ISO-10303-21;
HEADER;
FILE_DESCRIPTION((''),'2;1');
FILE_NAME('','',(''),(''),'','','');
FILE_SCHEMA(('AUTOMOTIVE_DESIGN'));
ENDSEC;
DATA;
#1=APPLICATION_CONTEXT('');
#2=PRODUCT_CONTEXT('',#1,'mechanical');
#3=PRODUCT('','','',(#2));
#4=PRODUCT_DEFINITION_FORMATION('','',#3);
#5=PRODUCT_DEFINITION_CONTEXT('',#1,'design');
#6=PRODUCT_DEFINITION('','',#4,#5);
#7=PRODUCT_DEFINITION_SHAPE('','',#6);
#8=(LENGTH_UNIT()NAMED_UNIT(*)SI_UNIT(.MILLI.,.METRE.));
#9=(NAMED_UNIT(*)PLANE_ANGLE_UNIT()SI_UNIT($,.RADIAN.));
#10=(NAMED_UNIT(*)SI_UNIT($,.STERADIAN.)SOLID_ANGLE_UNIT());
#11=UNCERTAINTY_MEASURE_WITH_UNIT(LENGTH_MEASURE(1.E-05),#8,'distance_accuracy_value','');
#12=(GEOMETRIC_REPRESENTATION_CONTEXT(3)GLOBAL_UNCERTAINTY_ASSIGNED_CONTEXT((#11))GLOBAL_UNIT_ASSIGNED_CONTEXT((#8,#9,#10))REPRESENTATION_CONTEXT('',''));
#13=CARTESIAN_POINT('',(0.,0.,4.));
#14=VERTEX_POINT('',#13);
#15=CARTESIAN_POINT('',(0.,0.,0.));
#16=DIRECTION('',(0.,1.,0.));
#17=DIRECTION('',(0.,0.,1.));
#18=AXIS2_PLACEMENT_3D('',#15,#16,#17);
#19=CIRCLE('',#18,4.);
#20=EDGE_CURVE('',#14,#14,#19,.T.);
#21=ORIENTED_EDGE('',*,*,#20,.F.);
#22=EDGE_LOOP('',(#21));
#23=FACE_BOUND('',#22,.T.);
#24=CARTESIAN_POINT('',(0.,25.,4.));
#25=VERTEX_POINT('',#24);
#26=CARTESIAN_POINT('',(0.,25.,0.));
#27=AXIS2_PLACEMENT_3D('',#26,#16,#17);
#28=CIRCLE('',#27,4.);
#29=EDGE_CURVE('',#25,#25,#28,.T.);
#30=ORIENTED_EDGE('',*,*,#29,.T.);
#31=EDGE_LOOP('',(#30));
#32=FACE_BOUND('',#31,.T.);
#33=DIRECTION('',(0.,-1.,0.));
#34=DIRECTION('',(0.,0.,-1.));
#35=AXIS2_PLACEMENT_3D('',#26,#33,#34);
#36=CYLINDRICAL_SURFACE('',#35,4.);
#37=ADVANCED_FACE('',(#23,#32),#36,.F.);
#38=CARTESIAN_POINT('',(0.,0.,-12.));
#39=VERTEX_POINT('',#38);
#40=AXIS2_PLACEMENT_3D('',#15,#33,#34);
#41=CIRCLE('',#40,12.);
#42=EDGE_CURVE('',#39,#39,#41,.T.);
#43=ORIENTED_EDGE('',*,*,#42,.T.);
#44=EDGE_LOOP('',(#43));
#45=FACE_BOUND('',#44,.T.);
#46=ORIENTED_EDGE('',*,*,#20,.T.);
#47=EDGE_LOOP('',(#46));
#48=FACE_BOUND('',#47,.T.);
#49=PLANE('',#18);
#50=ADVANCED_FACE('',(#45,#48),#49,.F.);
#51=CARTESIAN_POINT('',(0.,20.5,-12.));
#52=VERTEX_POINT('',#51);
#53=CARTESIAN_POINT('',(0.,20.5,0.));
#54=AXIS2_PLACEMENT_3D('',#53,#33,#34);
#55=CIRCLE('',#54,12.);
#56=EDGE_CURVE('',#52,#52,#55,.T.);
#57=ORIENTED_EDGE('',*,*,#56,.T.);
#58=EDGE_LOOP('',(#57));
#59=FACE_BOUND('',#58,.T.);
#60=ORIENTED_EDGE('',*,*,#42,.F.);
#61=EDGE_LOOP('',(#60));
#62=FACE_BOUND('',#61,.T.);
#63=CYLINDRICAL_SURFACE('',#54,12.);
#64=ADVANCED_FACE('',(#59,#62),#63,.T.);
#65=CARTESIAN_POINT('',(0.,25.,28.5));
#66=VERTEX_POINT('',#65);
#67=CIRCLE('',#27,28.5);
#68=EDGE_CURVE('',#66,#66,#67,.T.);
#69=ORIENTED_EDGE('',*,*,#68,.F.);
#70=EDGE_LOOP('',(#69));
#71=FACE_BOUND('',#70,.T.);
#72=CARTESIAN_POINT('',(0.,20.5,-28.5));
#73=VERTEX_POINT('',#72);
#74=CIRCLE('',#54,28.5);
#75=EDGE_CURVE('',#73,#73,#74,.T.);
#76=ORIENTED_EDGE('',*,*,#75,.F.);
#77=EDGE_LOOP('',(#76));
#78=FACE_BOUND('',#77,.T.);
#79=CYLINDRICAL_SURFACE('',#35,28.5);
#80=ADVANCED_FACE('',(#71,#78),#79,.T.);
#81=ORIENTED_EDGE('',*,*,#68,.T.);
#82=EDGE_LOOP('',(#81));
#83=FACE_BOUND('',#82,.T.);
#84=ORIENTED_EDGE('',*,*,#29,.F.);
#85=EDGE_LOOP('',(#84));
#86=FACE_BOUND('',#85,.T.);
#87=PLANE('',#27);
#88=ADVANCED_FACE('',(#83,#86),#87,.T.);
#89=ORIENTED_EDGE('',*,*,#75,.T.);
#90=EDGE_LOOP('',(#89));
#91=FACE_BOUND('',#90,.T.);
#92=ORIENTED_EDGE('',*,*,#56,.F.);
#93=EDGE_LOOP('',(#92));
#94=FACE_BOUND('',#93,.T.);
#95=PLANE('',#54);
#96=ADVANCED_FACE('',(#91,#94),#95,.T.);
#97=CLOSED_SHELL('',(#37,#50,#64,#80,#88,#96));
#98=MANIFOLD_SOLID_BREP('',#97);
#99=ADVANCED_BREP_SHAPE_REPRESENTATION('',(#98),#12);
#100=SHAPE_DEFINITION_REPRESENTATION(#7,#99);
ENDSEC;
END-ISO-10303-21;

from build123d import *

# Parameters (mm, degrees)
SKETCH2_R           = 28.5
SKETCH2_R_2         = 4
BOSS_EXTRUDE1_DEPTH = 25
SKETCH4_OUTSIDE_W   = 75.88
SKETCH4_OUTSIDE_H   = 75.88
SKETCH4_OUTSIDE_R   = 12
CUT_EXTRUDE2_DEPTH  = 20.5


with BuildPart() as part:
    # Sketch2 → Boss-Extrude1 (new body)
    with BuildSketch(Plane(origin=(0, 0, 0), x_dir=(1, 0, 0), z_dir=(0, 1, 0))):
        with Locations(Location((0, 0, 0), (0, 0, 270))):
            Circle(SKETCH2_R)
        with Locations(Location((0, 0, 0), (0, 0, 270))):
            Circle(SKETCH2_R_2, mode=Mode.SUBTRACT)
    extrude(amount=BOSS_EXTRUDE1_DEPTH)

    # Sketch4 outside → Cut-Extrude2 (cut)
    with BuildSketch(Plane.XZ):
        Rectangle(SKETCH4_OUTSIDE_W, SKETCH4_OUTSIDE_H)
        with Locations(Location((0, 0, 0), (0, 0, 270))):
            Circle(SKETCH4_OUTSIDE_R, mode=Mode.SUBTRACT)
    extrude(amount=-CUT_EXTRUDE2_DEPTH, mode=Mode.SUBTRACT)


solid = part.part
